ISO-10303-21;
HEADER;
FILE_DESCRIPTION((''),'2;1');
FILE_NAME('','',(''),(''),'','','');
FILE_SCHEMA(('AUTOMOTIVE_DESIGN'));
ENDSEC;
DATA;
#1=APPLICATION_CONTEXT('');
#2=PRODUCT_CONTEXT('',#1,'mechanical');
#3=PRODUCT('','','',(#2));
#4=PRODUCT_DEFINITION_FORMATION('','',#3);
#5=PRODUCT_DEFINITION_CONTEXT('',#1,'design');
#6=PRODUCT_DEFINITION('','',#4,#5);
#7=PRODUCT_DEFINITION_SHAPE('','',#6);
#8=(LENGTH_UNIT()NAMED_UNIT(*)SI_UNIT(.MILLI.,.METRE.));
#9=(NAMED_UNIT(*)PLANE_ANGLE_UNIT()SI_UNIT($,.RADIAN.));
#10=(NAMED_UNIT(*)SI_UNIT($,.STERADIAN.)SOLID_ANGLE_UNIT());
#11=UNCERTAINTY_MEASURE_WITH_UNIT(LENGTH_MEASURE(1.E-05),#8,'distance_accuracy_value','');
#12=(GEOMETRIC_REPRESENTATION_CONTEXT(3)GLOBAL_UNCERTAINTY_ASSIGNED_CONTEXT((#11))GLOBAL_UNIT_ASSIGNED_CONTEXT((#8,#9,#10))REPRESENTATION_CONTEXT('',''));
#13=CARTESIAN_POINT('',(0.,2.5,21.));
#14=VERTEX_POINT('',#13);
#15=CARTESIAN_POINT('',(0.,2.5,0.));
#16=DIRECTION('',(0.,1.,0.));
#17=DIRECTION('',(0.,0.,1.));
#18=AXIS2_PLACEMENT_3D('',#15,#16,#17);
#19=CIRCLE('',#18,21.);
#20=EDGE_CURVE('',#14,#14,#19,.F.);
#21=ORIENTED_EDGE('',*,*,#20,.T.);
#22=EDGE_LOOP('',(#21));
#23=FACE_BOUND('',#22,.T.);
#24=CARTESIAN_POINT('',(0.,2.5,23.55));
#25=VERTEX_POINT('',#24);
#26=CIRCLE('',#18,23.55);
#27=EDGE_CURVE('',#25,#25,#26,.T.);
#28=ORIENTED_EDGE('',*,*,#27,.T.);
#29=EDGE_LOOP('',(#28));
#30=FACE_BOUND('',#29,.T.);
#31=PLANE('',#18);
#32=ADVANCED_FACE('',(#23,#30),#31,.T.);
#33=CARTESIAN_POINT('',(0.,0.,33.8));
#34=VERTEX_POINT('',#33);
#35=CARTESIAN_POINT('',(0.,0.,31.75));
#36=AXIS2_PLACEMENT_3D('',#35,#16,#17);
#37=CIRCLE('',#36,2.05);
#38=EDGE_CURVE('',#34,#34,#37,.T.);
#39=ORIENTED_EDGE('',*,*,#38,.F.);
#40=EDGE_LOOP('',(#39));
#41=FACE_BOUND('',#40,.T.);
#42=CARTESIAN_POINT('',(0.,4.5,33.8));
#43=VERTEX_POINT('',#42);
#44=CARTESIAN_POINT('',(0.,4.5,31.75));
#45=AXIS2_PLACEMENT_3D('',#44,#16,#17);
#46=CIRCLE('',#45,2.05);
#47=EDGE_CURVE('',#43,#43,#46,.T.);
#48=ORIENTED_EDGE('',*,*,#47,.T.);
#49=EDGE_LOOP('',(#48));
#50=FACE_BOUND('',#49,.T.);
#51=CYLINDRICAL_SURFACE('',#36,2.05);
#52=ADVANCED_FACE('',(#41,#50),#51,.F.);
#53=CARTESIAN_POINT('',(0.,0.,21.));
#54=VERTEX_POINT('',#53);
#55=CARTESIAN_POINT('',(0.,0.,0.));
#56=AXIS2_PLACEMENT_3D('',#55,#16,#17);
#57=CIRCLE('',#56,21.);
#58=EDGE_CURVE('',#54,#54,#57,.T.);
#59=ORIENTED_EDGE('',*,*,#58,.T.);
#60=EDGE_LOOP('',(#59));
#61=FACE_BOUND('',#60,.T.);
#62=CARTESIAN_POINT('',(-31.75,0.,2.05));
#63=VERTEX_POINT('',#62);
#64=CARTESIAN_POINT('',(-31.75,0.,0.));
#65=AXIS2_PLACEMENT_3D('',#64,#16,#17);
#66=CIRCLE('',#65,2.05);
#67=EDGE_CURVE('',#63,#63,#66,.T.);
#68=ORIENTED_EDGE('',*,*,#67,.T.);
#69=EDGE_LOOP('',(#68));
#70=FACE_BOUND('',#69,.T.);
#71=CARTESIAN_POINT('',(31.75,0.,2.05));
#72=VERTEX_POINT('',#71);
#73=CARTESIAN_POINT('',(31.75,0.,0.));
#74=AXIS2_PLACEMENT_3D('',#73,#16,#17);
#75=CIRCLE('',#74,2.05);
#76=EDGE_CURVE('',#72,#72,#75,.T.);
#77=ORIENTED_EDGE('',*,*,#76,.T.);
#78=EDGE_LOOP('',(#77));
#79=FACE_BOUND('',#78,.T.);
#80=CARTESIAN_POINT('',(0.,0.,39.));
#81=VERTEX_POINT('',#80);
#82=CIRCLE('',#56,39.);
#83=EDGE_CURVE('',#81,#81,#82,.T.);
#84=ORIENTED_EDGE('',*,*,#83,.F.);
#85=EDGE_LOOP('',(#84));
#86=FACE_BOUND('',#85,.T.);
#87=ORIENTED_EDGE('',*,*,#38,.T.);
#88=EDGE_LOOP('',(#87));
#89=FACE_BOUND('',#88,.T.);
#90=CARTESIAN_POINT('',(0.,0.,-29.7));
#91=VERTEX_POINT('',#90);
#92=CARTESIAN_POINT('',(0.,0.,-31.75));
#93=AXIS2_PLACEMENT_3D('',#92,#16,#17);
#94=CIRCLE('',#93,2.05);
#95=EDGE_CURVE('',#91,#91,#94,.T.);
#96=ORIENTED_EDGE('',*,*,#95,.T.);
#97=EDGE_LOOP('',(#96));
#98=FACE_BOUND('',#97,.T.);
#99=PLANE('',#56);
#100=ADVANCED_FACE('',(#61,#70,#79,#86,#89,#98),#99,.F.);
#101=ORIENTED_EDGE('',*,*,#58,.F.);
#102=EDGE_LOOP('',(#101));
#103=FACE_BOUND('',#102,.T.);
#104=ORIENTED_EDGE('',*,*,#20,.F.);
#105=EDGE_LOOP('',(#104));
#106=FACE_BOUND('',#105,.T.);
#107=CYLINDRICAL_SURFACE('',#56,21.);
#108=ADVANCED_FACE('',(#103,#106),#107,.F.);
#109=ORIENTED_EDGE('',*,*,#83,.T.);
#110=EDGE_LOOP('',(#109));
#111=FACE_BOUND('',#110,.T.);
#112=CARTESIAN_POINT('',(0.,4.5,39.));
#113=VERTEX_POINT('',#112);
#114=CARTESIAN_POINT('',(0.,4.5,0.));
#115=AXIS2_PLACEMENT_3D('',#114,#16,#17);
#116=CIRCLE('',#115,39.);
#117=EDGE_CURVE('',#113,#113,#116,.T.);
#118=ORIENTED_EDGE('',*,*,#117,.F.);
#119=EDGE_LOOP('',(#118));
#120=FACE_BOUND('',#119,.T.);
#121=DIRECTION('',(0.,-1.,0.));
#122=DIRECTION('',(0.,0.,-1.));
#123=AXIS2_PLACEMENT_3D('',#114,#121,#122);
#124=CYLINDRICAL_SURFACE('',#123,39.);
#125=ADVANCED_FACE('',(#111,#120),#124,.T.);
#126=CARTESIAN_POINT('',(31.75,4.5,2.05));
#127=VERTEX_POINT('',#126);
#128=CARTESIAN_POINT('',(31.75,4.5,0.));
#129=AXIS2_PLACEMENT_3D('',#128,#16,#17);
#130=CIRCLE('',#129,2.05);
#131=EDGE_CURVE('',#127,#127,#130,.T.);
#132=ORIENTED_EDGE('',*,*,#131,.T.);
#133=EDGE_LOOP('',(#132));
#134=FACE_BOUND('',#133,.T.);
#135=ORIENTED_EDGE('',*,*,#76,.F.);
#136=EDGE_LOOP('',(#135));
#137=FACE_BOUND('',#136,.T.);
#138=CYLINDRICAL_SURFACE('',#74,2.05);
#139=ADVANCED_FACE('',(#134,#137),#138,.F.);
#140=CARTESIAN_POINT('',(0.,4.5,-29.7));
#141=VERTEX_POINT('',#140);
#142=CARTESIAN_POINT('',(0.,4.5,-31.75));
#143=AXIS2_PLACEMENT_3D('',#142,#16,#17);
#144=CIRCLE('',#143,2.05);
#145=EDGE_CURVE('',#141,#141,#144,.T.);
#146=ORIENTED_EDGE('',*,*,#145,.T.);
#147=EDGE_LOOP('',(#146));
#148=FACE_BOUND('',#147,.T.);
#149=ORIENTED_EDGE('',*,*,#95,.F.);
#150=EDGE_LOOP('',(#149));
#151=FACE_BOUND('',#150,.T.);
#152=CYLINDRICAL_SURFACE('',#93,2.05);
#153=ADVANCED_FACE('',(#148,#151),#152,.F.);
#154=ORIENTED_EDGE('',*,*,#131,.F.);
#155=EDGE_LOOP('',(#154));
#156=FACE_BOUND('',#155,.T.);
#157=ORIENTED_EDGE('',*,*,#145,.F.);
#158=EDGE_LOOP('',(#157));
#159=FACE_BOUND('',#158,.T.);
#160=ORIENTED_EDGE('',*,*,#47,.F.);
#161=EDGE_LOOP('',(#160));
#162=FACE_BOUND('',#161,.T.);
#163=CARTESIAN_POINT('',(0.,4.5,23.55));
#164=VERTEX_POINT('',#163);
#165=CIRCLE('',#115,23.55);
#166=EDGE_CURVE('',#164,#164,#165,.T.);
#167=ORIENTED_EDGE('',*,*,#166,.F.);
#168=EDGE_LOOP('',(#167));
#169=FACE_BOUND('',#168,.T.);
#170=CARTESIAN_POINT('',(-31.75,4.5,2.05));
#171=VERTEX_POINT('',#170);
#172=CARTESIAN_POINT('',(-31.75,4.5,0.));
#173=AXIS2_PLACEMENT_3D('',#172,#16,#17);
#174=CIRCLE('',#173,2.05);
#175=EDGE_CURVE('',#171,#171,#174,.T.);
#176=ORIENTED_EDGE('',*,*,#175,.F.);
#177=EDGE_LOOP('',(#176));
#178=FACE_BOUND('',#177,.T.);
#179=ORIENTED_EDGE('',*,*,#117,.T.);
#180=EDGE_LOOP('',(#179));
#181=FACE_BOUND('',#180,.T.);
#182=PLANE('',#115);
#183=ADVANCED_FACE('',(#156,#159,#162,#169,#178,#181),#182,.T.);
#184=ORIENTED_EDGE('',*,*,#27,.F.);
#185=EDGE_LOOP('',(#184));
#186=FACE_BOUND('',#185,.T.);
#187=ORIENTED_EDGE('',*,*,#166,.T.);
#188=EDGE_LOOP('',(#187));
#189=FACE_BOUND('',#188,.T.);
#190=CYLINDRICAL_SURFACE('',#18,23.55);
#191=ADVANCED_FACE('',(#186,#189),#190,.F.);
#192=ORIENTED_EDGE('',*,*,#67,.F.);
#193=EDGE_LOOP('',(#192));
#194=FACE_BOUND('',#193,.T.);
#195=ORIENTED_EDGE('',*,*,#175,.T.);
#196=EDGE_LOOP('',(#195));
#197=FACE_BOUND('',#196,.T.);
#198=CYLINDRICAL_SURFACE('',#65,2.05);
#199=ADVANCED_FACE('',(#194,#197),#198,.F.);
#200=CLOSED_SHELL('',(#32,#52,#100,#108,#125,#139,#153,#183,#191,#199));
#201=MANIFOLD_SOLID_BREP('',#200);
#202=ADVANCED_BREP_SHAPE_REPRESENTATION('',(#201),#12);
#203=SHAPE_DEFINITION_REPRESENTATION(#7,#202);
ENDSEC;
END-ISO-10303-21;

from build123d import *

# Parameters (mm, degrees)
SKETCH1_R           = 39
BOSS_EXTRUDE1_DEPTH = 4.5
SKETCH2_R           = 2.05
CUT_EXTRUDE1_DEPTH  = 4.5
SKETCH3_R           = 21
CUT_EXTRUDE2_DEPTH  = 4.5
SKETCH4_R           = 23.55
CUT_EXTRUDE3_DEPTH  = 2


with BuildPart() as part:
    # Sketch1 → Boss-Extrude1 (new body)
    with BuildSketch(Plane(origin=(0, 0, 0), x_dir=(1, 0, 0), z_dir=(0, 1, 0))):
        with Locations(Location((0, 0, 0), (0, 0, 270))):
            Circle(SKETCH1_R)
    extrude(amount=BOSS_EXTRUDE1_DEPTH)

    # Sketch2 → Cut-Extrude1 (cut)
    with BuildSketch(Plane(origin=(0, 4.5, 0), x_dir=(1, 0, 0), z_dir=(0, 1, 0))):
        with Locations(Location((31.75, 0, 0), (0, 0, 270))):
            Circle(SKETCH2_R)
        with Locations(Location((0, -31.75, 0), (0, 0, 270))):
            Circle(SKETCH2_R)
        with Locations(Location((-31.75, 0, 0), (0, 0, 270))):
            Circle(SKETCH2_R)
        with Locations(Location((0, 31.75, 0), (0, 0, 270))):
            Circle(SKETCH2_R)
    extrude(amount=-CUT_EXTRUDE1_DEPTH, mode=Mode.SUBTRACT)

    # Sketch3 → Cut-Extrude2 (cut)
    with BuildSketch(Plane(origin=(0, 4.5, 0), x_dir=(1, 0, 0), z_dir=(0, 1, 0))):
        with Locations(Location((0, 0, 0), (0, 0, 270))):
            Circle(SKETCH3_R)
    extrude(amount=-CUT_EXTRUDE2_DEPTH, mode=Mode.SUBTRACT)

    # Sketch4 → Cut-Extrude3 (cut)
    with BuildSketch(Plane(origin=(0, 4.5, 0), x_dir=(1, 0, 0), z_dir=(0, 1, 0))):
        with Locations(Location((0, 0, 0), (0, 0, 270))):
            Circle(SKETCH4_R)
    extrude(amount=-CUT_EXTRUDE3_DEPTH, mode=Mode.SUBTRACT)


solid = part.part
